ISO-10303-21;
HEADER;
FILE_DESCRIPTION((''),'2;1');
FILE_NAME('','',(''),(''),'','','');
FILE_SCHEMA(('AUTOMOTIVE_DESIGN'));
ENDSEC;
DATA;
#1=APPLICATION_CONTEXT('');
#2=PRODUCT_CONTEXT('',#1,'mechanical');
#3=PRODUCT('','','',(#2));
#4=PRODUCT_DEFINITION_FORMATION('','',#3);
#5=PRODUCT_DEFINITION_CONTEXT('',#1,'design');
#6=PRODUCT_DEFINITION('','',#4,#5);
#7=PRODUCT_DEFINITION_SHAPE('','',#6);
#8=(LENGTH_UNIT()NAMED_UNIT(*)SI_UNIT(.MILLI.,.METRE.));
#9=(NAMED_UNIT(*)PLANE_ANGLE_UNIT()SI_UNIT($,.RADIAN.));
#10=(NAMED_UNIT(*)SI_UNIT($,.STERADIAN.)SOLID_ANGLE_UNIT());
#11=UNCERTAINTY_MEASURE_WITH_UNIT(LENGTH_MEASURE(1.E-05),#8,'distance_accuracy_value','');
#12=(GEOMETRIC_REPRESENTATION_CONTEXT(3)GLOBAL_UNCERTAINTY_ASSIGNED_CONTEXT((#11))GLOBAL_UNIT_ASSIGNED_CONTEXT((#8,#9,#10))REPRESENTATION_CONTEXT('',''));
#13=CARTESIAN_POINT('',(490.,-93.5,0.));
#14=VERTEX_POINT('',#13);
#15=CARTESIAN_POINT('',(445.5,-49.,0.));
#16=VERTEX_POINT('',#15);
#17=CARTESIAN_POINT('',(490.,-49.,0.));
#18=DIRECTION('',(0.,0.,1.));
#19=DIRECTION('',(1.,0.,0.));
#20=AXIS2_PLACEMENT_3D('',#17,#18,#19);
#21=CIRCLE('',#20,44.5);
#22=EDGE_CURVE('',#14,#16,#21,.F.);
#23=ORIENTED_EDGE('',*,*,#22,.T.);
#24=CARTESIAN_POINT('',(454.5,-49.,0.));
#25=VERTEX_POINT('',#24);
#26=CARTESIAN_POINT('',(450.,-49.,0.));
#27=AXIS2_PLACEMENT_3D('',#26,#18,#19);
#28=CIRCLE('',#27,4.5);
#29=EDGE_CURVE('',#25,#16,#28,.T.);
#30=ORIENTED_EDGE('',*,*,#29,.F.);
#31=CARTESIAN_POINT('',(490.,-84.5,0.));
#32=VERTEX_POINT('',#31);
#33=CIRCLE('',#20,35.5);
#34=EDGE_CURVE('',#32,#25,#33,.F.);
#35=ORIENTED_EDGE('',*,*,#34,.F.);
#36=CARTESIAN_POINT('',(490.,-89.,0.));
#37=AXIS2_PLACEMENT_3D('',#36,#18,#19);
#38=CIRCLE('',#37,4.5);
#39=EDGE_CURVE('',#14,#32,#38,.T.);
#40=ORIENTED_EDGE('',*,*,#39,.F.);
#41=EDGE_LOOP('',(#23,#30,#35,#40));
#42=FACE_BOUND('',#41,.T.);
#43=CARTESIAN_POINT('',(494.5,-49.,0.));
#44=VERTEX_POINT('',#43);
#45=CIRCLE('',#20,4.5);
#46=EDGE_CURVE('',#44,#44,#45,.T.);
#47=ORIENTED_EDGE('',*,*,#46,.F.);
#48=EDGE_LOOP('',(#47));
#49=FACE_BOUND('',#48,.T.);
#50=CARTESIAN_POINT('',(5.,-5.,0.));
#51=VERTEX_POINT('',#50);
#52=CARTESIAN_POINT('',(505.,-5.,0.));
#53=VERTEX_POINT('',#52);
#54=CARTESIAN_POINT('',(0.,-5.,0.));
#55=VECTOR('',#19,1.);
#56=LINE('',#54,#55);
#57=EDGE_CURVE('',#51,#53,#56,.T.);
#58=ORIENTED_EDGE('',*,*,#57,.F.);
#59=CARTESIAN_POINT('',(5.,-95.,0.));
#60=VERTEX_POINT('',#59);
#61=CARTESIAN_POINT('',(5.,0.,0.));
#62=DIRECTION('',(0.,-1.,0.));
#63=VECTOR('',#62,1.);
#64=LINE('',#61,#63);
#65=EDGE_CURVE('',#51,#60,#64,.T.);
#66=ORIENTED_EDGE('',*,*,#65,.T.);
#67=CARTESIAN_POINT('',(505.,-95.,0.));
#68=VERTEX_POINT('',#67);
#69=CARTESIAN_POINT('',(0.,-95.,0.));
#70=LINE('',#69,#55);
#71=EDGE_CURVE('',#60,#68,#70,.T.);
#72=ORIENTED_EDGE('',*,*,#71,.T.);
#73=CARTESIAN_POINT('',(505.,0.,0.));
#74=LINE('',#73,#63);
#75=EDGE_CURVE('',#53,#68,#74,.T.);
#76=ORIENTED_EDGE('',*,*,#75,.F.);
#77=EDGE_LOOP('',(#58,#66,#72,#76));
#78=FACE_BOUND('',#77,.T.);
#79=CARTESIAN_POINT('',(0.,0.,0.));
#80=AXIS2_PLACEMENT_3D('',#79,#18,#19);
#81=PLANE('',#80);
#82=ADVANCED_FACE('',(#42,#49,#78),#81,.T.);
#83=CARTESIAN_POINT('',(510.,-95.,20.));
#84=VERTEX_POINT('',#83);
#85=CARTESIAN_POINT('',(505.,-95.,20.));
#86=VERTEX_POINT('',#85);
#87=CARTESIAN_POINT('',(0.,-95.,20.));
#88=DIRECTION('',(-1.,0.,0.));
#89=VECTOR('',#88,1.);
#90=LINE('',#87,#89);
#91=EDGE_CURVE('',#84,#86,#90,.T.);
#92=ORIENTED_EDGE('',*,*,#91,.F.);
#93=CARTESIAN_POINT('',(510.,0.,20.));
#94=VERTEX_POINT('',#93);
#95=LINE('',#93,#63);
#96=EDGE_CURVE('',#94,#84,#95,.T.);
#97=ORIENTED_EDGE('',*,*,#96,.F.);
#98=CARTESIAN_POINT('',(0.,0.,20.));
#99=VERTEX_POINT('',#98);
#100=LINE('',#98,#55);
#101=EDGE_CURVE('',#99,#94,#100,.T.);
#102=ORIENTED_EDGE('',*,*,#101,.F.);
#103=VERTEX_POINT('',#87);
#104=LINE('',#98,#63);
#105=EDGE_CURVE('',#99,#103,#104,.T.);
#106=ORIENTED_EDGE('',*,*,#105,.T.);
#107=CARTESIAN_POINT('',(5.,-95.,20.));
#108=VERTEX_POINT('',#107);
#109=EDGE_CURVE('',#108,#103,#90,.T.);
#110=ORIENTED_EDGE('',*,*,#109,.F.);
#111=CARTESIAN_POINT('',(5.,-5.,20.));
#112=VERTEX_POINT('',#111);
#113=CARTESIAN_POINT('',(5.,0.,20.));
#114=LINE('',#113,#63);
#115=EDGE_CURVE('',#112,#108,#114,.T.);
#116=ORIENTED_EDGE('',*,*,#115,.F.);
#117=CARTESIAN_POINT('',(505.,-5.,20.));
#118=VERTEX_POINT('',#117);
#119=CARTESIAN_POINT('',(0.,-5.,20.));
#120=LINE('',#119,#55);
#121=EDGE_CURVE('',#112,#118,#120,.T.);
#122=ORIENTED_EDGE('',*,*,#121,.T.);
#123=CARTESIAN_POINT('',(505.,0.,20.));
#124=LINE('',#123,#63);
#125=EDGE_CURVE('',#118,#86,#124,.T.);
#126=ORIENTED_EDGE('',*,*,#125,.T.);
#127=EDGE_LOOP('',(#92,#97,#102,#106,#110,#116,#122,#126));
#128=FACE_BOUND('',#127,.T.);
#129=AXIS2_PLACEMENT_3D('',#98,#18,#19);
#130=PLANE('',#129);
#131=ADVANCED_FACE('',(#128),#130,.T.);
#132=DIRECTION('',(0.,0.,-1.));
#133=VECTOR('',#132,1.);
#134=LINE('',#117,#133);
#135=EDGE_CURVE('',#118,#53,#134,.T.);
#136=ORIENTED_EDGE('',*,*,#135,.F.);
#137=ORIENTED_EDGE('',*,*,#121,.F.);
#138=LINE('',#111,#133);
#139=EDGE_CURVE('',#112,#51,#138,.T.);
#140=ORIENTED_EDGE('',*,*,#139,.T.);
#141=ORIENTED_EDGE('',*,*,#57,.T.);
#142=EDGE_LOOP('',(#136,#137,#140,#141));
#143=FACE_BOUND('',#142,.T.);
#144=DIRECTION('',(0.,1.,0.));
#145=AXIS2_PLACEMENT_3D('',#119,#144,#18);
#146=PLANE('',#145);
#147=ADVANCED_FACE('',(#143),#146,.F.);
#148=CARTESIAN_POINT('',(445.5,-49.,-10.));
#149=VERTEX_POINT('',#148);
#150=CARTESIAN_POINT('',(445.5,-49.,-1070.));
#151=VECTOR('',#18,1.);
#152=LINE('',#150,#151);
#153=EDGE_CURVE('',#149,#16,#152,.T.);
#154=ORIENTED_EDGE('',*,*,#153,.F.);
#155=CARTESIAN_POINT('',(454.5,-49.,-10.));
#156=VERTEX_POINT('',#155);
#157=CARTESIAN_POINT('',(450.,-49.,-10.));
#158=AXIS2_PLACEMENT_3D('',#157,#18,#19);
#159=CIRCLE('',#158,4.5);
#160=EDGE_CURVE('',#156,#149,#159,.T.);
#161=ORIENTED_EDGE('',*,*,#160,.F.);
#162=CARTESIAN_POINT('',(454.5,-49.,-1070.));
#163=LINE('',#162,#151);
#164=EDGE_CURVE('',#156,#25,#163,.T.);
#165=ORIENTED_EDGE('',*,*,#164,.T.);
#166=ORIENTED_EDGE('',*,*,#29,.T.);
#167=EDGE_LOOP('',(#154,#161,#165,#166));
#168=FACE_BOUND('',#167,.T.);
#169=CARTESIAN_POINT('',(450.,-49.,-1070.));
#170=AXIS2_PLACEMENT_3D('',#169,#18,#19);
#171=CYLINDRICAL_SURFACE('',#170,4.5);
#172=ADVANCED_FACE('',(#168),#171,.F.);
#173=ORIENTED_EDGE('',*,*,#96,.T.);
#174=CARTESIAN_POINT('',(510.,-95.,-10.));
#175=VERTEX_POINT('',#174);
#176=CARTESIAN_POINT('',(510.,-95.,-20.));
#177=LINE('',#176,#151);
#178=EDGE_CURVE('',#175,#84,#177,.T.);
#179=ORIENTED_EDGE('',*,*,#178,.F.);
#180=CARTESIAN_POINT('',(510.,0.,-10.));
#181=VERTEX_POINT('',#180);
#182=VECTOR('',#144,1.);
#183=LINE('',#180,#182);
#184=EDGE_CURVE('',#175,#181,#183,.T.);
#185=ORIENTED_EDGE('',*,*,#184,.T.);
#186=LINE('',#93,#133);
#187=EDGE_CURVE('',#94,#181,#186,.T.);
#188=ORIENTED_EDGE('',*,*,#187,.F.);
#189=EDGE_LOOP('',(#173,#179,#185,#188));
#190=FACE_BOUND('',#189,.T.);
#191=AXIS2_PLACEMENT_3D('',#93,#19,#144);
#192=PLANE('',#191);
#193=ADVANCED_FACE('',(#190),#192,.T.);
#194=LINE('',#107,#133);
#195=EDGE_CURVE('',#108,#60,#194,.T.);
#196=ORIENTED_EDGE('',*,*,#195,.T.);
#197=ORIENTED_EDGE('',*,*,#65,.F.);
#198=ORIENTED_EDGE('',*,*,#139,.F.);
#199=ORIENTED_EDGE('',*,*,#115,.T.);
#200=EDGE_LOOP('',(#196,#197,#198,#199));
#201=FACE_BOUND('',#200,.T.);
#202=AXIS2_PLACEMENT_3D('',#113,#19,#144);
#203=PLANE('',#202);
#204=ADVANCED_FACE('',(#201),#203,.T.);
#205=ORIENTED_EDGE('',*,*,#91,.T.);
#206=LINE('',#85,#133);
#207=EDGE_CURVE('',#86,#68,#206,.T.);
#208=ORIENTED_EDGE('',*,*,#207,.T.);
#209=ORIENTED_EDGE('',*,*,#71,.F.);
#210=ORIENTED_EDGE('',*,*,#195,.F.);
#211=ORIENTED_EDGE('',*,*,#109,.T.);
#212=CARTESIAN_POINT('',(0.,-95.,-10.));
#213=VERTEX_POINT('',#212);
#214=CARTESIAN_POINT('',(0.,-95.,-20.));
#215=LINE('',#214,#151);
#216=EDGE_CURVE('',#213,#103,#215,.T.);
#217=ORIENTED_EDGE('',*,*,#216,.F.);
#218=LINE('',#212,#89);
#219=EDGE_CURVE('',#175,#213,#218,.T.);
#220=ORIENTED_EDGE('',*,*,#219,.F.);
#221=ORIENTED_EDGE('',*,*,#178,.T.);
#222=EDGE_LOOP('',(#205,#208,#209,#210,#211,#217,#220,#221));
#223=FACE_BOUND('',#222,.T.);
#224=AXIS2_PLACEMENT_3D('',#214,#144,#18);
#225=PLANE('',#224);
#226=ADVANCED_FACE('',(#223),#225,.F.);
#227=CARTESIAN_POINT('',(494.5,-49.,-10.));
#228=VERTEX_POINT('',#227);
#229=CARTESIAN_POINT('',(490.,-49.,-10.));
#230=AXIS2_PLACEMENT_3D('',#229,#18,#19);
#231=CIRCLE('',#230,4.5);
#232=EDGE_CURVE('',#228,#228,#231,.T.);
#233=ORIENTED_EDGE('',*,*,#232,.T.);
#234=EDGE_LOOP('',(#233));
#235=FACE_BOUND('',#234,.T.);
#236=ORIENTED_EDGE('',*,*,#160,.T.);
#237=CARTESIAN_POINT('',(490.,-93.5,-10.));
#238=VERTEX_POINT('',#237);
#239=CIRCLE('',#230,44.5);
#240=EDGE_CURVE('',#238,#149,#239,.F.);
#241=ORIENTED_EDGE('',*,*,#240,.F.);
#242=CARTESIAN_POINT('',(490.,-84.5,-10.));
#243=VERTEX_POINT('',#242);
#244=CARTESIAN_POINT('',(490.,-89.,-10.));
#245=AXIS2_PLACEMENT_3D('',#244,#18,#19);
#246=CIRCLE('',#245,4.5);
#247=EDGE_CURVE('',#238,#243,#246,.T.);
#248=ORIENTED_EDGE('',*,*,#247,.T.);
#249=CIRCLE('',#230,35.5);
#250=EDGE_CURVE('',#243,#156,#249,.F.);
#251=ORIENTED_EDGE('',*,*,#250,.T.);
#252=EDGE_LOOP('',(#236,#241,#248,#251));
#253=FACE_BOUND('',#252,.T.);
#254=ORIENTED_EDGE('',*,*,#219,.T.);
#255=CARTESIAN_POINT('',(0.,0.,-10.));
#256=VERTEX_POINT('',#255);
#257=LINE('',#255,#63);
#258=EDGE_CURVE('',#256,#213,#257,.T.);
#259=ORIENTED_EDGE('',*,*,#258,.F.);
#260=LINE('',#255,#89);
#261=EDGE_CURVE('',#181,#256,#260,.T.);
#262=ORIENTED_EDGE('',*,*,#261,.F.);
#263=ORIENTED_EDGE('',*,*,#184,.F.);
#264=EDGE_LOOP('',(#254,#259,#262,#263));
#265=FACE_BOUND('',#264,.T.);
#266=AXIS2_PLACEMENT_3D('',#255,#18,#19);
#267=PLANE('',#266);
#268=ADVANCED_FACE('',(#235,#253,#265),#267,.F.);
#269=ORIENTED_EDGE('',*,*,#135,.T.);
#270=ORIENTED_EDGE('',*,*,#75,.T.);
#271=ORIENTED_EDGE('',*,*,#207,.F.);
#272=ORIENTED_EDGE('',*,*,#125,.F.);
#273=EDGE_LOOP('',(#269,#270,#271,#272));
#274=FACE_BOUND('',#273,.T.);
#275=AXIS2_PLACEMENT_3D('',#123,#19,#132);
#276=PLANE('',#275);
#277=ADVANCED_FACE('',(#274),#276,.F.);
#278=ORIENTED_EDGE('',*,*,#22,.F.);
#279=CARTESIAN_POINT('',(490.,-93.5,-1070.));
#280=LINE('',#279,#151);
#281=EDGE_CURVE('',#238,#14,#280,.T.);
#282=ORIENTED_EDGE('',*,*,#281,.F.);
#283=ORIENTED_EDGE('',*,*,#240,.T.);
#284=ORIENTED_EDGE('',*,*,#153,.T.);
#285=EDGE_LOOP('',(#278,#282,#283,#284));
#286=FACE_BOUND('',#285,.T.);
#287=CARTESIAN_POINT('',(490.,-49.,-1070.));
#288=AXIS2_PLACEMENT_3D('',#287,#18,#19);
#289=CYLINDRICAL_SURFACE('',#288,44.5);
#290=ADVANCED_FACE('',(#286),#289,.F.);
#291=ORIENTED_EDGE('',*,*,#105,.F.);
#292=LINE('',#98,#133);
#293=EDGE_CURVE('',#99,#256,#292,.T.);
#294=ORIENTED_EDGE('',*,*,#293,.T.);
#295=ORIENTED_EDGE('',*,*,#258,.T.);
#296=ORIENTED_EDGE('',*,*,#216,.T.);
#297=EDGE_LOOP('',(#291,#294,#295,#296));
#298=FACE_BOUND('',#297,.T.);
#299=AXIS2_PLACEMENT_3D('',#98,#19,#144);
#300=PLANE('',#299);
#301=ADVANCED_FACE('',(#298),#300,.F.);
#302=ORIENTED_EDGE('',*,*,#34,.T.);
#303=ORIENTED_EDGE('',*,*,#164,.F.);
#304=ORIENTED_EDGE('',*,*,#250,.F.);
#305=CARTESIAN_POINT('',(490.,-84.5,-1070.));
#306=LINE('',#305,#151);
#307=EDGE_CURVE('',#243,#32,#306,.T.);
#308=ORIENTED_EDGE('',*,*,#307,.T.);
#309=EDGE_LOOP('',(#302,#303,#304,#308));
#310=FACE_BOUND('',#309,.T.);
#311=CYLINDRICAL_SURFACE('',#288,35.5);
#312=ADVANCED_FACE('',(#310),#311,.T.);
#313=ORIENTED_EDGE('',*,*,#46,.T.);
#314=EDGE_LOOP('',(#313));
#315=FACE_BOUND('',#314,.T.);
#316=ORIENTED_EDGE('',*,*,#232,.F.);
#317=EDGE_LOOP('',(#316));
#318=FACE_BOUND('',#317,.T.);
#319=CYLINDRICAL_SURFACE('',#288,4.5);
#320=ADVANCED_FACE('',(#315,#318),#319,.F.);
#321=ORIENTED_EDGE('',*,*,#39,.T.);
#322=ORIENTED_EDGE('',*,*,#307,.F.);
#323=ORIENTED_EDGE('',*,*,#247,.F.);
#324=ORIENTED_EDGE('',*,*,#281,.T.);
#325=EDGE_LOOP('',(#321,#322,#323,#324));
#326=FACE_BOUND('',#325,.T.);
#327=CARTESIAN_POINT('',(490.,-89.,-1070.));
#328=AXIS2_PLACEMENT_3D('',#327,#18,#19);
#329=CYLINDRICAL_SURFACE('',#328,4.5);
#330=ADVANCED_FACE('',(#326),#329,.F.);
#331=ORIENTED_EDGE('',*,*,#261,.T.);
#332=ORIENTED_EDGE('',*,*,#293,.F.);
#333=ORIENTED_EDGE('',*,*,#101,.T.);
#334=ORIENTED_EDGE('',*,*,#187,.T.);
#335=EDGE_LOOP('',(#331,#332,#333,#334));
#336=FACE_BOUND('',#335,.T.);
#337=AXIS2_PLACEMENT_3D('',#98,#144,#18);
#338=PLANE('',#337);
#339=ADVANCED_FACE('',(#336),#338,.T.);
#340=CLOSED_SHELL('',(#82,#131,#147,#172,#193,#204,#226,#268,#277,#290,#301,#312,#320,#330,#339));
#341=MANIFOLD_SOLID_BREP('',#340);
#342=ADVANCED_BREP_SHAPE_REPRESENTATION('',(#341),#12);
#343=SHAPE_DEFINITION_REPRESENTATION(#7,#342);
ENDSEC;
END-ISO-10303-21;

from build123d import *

# Parameters (mm, degrees)
SKETCH1_W           = 510
SKETCH1_H           = 100
SKETCH1_W_2         = 500
SKETCH1_H_2         = 90
BOSS_EXTRUDE1_DEPTH = 20
SKETCH2_W           = 510
SKETCH2_H           = 100
BOSS_EXTRUDE2_DEPTH = 10
SKETCH3_R           = 4.5
CUT_EXTRUDE1_DEPTH  = 1070
SKETCH4_W           = 510
SKETCH4_H           = 5
CUT_EXTRUDE2_DEPTH  = 20


with BuildPart() as part:
    # Sketch1 → Boss-Extrude1 (new body)
    with BuildSketch(Plane.XY):
        with Locations((255, -50)):
            Rectangle(SKETCH1_W, SKETCH1_H)
        with Locations((255, -50)):
            Rectangle(SKETCH1_W_2, SKETCH1_H_2, mode=Mode.SUBTRACT)
    extrude(amount=BOSS_EXTRUDE1_DEPTH)

    # Sketch2 → Boss-Extrude2 (add)
    with BuildSketch(Plane.XY):
        with Locations((255, -50)):
            Rectangle(SKETCH2_W, SKETCH2_H)
    extrude(amount=-BOSS_EXTRUDE2_DEPTH)

    # Sketch3 → Cut-Extrude1 (cut)
    with BuildSketch(Plane.XY):
        with Locations((490, -49)):
            Circle(SKETCH3_R)
        with BuildLine():
            ThreePointArc((490, -93.5), (494.5, -89), (490, -84.5))
            ThreePointArc((490, -84.5), (464.897709268, -74.102290733), (454.5, -49.000000001))
            ThreePointArc((454.5, -49.000000001), (450.000000001, -44.5), (445.5, -49))
            ThreePointArc((445.5, -49), (458.533748237, -80.466251763), (490, -93.5))
        make_face()
    extrude(amount=-CUT_EXTRUDE1_DEPTH, mode=Mode.SUBTRACT)

    # Sketch4 → Cut-Extrude2 (cut, symmetric)
    with BuildSketch(Plane.XY):
        with Locations((255, -97.5)):
            Rectangle(SKETCH4_W, SKETCH4_H)
    extrude(amount=CUT_EXTRUDE2_DEPTH, both=True, mode=Mode.SUBTRACT)


solid = part.part
